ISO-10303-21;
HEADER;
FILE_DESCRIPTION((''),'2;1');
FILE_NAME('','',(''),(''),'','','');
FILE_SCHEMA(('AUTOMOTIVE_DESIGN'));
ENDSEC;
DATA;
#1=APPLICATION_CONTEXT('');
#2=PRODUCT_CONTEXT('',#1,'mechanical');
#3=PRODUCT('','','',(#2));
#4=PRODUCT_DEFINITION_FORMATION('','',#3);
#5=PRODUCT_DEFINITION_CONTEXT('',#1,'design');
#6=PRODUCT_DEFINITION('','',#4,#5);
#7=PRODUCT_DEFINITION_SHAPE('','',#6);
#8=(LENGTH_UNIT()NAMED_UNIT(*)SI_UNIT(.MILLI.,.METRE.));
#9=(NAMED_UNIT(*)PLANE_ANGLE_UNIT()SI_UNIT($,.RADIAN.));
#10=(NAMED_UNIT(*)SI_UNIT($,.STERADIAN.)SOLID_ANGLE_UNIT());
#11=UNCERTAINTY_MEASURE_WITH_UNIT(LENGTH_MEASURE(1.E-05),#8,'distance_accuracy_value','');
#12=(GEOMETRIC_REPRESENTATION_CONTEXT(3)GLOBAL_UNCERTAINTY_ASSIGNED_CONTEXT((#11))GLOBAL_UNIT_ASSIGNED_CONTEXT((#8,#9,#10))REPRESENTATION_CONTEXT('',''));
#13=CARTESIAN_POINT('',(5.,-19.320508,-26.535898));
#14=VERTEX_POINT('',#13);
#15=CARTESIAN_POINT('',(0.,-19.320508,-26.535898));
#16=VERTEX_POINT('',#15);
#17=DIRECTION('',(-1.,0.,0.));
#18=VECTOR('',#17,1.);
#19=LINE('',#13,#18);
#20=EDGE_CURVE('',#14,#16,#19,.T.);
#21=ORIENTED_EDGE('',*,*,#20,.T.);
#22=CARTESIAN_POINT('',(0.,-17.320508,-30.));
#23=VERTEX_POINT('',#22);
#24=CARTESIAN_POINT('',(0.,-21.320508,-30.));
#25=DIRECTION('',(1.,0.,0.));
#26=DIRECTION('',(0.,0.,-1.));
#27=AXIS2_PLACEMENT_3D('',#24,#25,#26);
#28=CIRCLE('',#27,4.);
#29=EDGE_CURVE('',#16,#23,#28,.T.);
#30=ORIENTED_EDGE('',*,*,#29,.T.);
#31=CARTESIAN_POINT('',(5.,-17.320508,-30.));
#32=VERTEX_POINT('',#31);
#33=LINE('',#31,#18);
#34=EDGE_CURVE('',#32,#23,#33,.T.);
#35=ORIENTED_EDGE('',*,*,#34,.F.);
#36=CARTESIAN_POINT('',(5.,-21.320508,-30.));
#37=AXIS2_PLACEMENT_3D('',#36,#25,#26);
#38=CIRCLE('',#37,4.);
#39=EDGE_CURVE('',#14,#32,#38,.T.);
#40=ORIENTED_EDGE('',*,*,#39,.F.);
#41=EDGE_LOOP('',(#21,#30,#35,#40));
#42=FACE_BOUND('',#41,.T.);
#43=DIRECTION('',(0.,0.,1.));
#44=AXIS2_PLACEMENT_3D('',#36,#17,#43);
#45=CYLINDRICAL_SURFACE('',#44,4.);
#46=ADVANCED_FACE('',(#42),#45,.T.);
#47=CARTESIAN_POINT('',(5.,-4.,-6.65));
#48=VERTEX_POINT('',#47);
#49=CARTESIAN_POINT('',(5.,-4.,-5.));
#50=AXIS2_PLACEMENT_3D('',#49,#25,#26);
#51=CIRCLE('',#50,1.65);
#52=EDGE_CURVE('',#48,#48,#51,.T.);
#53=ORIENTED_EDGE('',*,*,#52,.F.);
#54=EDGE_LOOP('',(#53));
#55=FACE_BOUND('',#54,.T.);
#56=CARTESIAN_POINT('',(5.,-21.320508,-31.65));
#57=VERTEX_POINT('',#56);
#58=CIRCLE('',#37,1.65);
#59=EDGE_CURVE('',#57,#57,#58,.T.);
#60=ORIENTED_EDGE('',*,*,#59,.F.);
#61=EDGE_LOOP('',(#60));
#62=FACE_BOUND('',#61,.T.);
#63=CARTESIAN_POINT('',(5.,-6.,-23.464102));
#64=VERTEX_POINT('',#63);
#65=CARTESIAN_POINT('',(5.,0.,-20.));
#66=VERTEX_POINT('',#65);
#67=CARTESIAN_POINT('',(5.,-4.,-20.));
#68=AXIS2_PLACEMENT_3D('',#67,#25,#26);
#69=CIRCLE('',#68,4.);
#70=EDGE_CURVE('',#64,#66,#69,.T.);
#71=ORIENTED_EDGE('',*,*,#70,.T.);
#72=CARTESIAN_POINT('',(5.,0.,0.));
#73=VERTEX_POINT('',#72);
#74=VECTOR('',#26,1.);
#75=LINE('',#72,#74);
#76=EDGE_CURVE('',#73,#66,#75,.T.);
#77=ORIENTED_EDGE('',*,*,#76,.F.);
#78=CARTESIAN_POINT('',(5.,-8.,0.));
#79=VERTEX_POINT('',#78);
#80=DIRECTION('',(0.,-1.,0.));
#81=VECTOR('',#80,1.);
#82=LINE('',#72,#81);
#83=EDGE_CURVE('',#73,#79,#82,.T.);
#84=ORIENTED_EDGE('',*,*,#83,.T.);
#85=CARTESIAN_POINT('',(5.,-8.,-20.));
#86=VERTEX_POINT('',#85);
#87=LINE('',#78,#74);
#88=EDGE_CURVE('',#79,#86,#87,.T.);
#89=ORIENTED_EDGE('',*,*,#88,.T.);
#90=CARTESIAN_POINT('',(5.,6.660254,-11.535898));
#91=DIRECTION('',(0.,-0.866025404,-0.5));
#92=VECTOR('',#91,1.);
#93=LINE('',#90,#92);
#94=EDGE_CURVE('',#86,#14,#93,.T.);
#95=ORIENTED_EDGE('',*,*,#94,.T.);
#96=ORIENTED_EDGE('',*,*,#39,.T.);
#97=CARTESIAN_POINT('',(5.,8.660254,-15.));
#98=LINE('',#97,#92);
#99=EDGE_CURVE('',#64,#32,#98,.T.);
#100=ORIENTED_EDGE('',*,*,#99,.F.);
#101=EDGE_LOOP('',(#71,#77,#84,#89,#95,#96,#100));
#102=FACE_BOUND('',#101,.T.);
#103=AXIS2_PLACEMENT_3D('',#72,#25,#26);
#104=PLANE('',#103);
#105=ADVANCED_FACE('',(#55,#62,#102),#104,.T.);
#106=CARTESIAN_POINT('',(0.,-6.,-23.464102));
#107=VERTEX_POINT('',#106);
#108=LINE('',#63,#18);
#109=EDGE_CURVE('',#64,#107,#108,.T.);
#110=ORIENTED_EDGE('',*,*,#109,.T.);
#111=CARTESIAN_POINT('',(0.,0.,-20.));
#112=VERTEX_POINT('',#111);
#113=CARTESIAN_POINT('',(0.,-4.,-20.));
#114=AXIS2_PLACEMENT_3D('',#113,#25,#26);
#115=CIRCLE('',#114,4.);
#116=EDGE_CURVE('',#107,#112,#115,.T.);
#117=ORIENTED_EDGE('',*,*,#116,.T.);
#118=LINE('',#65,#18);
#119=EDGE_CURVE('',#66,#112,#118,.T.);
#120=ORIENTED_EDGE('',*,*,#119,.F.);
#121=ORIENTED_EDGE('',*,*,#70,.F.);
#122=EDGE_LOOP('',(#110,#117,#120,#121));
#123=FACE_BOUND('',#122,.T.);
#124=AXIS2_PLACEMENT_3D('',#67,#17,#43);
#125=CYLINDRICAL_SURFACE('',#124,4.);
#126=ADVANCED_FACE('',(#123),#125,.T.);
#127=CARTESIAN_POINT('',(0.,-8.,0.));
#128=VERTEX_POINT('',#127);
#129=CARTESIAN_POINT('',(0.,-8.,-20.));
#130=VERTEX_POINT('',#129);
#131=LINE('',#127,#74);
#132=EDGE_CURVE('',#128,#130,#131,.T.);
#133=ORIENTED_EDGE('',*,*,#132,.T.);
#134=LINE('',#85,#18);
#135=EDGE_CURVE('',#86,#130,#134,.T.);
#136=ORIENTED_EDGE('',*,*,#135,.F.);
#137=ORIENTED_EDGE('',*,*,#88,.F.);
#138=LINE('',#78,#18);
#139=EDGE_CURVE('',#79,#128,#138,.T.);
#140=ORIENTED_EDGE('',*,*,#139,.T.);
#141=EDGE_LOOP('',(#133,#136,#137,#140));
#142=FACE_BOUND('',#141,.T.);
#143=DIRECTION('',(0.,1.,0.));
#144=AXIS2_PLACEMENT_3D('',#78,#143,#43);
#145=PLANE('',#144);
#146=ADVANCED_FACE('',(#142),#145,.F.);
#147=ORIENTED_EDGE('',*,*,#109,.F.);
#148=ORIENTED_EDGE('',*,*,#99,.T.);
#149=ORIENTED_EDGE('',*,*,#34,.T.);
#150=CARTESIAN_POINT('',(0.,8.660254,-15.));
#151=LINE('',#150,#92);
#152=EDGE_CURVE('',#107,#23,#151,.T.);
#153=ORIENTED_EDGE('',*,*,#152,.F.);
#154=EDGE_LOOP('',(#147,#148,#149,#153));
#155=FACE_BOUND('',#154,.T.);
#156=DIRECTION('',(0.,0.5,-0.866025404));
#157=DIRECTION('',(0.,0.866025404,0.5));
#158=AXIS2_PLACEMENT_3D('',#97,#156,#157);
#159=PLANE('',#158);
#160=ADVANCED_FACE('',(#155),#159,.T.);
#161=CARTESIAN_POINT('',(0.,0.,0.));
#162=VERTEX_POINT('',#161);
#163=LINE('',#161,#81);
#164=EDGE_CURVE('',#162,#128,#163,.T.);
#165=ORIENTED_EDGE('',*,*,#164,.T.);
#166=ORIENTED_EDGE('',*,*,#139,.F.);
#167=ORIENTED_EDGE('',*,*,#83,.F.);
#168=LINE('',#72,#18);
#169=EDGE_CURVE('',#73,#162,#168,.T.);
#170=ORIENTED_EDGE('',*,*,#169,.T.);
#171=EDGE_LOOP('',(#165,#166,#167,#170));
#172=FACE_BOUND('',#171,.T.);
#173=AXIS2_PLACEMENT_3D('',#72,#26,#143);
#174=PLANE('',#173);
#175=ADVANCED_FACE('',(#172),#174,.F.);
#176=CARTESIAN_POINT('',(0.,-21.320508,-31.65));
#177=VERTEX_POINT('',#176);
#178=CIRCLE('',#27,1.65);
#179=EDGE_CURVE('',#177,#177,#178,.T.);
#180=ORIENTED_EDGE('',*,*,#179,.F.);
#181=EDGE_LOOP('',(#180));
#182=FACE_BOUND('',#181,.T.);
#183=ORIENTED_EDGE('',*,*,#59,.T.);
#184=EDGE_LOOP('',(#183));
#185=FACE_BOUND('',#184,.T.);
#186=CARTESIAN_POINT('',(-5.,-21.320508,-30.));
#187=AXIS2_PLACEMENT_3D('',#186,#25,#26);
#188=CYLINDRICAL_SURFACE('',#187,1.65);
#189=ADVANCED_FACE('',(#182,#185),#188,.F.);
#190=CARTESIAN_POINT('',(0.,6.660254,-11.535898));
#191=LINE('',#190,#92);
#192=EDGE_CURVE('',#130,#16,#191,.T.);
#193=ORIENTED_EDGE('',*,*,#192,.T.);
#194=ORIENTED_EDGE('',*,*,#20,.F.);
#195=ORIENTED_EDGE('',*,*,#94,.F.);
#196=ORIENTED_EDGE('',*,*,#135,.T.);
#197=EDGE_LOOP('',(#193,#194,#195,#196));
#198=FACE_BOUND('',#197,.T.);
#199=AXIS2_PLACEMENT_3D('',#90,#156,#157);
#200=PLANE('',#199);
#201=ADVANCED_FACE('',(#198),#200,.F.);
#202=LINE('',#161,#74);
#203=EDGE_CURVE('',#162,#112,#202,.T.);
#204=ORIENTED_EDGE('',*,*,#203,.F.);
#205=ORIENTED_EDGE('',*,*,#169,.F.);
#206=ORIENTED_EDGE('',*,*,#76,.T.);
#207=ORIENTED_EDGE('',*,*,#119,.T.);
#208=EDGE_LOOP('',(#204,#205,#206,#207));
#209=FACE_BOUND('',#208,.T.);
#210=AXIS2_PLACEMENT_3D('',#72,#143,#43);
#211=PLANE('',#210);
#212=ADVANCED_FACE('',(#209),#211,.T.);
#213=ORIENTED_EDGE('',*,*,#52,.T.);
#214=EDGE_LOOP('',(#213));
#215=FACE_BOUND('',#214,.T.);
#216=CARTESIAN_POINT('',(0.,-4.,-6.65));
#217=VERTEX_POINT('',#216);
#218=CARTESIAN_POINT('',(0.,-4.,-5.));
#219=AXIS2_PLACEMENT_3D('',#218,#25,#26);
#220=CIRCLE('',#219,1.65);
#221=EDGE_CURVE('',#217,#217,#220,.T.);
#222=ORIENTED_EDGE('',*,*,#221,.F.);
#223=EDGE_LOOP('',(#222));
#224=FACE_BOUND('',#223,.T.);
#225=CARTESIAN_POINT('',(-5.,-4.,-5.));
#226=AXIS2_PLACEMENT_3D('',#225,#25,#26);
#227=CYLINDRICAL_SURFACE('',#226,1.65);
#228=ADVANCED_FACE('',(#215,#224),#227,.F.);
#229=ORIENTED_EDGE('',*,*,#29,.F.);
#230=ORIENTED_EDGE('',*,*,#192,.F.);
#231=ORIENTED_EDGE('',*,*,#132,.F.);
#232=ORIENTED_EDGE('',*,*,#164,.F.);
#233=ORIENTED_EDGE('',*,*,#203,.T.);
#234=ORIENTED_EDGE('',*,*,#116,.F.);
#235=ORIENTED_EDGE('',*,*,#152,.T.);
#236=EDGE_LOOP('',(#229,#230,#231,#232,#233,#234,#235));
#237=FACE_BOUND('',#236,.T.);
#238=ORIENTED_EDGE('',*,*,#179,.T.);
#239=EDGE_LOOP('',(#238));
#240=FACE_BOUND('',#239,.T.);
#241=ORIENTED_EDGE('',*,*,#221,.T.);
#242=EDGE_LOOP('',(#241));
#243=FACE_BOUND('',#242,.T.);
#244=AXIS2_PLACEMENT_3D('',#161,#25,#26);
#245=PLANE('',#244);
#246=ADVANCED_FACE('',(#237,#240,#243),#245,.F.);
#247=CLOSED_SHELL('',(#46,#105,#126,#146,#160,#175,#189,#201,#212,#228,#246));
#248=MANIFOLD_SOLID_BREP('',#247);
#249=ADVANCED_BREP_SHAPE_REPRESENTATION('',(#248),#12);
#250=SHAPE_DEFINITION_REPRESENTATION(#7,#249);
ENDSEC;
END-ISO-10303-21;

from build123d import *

# Parameters (mm, degrees)
EXTRUDE_1_DEPTH     = 5
SKETCH_2_R          = 1.65
CUT_EXTRUDE_1_DEPTH = 10


with BuildPart() as part:
    # 草图1 → 凸台-拉伸1 (new body)
    with BuildSketch(Plane(origin=(0, 0, 0), x_dir=(0, 0, -1), z_dir=(1, 0, 0))):
        with BuildLine():
            ThreePointArc((20, -8), (16, -4), (20, 0))
            Line((20, 0), (0, 0))
            Line((0, 0), (0, -8))
            Line((0, -8), (20, -8))
        make_face()
        with BuildLine():
            Line((20, -8), (20, 0))
            ThreePointArc((20, 0), (16, -4), (20, -8))
        make_face()
        with BuildLine():
            Line((23.464101615, -6), (20, 0))
            Line((20, 0), (20, -8))
            ThreePointArc((20, -8), (22, -7.464101615), (23.464101615, -6))
        make_face()
        with BuildLine():
            ThreePointArc((24, -4), (22.828427125, -1.171572875), (20, 0))
            Line((20, 0), (23.464101615, -6))
            ThreePointArc((23.464101615, -6), (23.863703305, -5.03527618), (24, -4))
        make_face()
        with BuildLine():
            Line((30, -17.320508076), (23.464101615, -6))
            ThreePointArc((23.464101615, -6), (22, -7.464101615), (20, -8))
            Line((20, -8), (26.535898385, -19.320508076))
            ThreePointArc((26.535898385, -19.320508076), (28, -17.856406461), (30, -17.320508076))
        make_face()
        with BuildLine():
            ThreePointArc((34, -21.320508076), (32.828427125, -18.492080951), (30, -17.320508076))
            Line((30, -17.320508076), (30, -25.320508076))
            ThreePointArc((30, -25.320508076), (32.828427125, -24.1489352), (34, -21.320508076))
        make_face()
        with BuildLine():
            Line((30, -25.320508076), (30, -17.320508076))
            ThreePointArc((30, -17.320508076), (28, -17.856406461), (26.535898385, -19.320508076))
            Line((26.535898385, -19.320508076), (30, -25.320508076))
        make_face()
        with BuildLine():
            Line((30, -25.320508076), (26.535898385, -19.320508076))
            ThreePointArc((26.535898385, -19.320508076), (26.535898385, -23.320508076), (30, -25.320508076))
        make_face()
    extrude(amount=EXTRUDE_1_DEPTH)

    # 草图2 → 切除-拉伸1 (cut)
    with BuildSketch(Plane(origin=(5, 0, 0), x_dir=(0, 0, -1), z_dir=(1, 0, 0))):
        with Locations((5, -4)):
            Circle(SKETCH_2_R)
        with Locations((30, -21.320508076)):
            Circle(SKETCH_2_R)
    extrude(amount=-CUT_EXTRUDE_1_DEPTH, mode=Mode.SUBTRACT)


solid = part.part
